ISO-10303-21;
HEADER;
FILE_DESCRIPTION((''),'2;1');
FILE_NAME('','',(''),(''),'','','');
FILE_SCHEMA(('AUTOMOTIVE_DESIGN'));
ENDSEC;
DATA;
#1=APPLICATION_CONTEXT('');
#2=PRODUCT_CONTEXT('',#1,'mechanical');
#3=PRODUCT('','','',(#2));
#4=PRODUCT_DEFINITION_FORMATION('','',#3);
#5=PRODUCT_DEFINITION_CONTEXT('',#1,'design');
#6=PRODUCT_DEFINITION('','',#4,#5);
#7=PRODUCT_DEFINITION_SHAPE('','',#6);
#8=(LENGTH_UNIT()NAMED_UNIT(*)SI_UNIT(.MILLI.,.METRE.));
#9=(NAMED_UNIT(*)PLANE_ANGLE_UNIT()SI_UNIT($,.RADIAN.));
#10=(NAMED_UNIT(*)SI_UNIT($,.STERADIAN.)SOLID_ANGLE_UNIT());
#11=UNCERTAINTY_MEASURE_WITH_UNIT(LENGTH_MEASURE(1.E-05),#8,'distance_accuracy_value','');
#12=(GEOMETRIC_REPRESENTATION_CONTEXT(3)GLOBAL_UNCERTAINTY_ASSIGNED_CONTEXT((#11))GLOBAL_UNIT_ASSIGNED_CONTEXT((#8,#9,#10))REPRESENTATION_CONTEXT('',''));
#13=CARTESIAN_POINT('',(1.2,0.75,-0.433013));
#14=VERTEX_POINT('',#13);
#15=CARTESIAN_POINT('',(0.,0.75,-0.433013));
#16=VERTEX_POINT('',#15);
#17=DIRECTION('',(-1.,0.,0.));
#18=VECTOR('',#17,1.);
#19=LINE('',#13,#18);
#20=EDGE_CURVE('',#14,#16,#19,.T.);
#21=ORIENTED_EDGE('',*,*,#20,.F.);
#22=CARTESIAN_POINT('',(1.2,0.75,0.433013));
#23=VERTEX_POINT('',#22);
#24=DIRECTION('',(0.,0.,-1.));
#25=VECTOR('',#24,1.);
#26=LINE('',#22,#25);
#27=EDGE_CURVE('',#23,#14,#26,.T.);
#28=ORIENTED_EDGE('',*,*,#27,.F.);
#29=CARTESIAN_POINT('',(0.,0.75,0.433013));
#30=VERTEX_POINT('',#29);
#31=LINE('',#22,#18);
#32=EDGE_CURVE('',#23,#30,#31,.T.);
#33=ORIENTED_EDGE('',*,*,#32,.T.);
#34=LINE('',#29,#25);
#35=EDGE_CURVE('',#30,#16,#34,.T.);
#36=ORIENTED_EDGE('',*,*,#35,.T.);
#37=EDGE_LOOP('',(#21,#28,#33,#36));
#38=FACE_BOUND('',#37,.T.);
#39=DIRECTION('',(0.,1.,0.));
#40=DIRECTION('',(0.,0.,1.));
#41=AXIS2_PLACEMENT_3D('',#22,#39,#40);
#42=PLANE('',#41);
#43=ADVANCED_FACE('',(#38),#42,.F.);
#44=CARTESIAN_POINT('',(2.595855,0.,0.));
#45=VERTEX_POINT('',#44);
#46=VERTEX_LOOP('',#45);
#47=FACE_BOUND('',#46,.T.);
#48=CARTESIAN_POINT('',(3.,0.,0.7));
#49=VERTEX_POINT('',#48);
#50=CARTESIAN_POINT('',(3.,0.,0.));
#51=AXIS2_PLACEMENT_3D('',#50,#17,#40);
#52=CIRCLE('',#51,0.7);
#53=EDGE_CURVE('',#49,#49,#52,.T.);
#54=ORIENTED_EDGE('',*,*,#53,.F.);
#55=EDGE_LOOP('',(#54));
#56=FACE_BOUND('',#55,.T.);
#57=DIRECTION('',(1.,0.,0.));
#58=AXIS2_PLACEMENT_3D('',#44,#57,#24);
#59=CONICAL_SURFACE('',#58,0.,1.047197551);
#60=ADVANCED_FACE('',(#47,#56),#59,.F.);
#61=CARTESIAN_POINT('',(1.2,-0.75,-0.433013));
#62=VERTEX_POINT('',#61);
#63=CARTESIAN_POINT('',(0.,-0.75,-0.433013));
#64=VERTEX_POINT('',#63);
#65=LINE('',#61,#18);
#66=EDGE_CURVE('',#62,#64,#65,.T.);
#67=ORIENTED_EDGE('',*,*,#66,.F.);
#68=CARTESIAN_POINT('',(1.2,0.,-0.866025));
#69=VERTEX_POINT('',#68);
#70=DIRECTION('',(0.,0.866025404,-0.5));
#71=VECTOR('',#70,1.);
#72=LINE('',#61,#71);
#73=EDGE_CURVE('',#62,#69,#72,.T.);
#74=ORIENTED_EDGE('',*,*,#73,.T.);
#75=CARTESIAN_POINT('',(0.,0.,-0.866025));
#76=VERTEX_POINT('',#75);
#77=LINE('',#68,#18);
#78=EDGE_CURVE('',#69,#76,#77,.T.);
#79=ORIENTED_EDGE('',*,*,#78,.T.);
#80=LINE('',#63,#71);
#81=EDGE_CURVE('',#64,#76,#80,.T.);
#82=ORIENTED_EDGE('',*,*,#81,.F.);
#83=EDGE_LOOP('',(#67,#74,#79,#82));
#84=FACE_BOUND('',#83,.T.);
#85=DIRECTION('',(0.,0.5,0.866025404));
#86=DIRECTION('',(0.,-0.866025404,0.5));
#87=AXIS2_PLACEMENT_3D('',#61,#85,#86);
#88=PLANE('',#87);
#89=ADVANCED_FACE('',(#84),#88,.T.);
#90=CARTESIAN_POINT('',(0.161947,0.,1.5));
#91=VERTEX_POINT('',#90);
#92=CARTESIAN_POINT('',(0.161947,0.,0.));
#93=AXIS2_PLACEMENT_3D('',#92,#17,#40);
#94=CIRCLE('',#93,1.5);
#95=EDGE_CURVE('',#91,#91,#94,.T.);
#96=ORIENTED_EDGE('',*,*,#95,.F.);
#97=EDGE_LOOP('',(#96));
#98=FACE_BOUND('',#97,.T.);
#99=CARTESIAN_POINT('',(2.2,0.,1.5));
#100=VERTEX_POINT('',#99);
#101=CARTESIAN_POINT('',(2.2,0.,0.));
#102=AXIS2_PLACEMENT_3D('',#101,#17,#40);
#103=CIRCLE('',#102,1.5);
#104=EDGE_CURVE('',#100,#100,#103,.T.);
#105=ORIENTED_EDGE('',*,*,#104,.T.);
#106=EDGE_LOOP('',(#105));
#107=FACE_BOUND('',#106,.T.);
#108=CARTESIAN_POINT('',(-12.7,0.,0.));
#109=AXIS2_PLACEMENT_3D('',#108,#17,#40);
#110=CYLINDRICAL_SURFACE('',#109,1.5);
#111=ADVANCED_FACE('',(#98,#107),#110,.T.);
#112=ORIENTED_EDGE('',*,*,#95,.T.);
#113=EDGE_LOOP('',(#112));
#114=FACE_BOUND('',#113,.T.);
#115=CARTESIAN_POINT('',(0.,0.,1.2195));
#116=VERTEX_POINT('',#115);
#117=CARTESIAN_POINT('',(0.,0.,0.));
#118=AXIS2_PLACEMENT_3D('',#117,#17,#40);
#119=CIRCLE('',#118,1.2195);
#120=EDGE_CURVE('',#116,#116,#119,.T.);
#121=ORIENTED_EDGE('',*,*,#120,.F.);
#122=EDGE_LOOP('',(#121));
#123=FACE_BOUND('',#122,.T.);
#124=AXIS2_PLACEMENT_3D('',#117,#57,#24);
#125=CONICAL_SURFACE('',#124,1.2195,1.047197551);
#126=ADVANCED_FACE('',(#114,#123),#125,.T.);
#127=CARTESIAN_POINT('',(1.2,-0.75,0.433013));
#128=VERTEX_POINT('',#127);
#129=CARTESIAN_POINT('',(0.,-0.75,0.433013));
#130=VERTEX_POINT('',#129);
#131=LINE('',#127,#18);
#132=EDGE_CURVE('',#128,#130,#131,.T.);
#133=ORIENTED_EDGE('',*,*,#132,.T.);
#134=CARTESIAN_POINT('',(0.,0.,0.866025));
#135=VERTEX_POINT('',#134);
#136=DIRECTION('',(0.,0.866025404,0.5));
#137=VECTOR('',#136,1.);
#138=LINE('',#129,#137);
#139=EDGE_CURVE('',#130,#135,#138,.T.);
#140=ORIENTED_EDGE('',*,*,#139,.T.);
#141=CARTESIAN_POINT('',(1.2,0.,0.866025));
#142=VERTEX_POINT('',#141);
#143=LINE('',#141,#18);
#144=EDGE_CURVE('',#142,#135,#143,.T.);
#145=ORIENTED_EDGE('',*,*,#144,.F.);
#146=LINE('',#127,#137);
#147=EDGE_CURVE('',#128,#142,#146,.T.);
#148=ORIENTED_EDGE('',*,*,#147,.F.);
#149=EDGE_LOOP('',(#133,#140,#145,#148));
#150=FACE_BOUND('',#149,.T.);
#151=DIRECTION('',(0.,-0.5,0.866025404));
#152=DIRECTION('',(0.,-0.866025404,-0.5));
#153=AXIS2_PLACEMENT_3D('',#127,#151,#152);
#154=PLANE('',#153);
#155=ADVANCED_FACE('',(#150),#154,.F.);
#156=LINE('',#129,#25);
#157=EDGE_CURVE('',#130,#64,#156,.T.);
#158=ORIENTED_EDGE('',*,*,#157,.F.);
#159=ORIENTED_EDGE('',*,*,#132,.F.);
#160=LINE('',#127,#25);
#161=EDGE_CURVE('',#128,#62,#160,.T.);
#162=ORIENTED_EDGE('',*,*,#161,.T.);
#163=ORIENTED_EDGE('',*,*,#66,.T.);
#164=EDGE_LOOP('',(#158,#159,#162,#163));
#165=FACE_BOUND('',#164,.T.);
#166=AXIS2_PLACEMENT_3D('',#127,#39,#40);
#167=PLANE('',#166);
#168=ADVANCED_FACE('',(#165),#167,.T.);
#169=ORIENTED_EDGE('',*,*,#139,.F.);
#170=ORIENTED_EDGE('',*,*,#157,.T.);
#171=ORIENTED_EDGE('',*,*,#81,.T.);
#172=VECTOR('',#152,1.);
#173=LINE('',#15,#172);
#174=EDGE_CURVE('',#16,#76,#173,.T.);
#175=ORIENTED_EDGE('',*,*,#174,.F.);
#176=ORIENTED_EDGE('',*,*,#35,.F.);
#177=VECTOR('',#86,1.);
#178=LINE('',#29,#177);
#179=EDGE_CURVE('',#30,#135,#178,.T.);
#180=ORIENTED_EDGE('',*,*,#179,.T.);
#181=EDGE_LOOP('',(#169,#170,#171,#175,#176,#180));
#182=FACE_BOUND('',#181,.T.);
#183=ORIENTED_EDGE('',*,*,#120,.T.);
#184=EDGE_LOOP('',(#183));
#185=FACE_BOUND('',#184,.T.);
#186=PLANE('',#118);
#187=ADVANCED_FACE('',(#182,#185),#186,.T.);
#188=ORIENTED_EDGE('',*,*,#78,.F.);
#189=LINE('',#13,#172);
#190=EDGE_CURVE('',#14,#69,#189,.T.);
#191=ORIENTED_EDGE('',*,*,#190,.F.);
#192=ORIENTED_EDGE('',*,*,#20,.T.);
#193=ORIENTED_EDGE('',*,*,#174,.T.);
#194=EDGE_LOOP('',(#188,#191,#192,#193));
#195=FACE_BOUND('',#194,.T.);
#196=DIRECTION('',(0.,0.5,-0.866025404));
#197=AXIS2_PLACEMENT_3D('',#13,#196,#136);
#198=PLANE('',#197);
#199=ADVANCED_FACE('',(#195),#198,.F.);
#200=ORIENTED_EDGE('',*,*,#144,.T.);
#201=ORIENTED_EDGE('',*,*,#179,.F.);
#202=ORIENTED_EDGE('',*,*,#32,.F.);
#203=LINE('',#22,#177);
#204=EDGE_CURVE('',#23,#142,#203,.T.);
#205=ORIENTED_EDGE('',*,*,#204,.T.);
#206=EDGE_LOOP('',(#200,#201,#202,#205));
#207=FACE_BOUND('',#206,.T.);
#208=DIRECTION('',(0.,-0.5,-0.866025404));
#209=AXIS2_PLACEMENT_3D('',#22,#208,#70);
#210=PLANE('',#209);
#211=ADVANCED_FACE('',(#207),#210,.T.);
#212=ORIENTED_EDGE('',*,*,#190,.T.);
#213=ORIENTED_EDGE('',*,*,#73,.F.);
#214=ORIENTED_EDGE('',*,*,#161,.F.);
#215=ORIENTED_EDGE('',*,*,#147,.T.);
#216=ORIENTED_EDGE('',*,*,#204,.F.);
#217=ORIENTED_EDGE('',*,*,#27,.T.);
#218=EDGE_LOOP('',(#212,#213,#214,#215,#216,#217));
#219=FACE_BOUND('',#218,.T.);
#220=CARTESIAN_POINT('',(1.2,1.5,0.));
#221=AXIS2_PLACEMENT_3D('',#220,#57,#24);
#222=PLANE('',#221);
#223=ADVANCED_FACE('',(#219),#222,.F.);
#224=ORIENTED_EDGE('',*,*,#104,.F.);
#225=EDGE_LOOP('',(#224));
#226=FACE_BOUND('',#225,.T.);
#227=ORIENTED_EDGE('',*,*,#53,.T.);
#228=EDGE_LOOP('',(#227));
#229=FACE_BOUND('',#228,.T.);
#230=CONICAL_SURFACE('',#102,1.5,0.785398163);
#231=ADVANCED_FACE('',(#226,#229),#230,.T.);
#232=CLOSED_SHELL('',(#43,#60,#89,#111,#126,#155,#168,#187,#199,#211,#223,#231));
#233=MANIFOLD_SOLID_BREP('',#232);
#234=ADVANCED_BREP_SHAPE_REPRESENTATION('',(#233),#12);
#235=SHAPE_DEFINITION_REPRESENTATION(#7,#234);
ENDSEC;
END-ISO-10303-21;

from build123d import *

# Parameters (mm, degrees)
HEX_2_DEPTH = 1.2


with BuildPart() as part:
    # BodySke → BaseBody (revolve)
    with BuildSketch(Plane.XY, mode=Mode.PRIVATE) as basebody_sk:
        Polygon((0, 0), (0, 1.2195), (0.161946751, 1.5), (2.2, 1.5), (3, 0.7), (2.595854812, 0), align=None)
    revolve(basebody_sk.sketch.rotate(Axis((-12.7, 0, 0), (1, 0, 0)), 90), axis=Axis((-12.7, 0, 0), (1, 0, 0)))

    # Sketch2 → Hex 2 (cut)
    with BuildSketch(Plane.ZY):
        Polygon((0.433012702, 0.75), (-0.433012702, 0.75), (-0.866025404, 0), (-0.433012702, -0.75), (0.433012702, -0.75), (0.866025404, 0), align=None)
    extrude(amount=-HEX_2_DEPTH, mode=Mode.SUBTRACT)


solid = part.part
